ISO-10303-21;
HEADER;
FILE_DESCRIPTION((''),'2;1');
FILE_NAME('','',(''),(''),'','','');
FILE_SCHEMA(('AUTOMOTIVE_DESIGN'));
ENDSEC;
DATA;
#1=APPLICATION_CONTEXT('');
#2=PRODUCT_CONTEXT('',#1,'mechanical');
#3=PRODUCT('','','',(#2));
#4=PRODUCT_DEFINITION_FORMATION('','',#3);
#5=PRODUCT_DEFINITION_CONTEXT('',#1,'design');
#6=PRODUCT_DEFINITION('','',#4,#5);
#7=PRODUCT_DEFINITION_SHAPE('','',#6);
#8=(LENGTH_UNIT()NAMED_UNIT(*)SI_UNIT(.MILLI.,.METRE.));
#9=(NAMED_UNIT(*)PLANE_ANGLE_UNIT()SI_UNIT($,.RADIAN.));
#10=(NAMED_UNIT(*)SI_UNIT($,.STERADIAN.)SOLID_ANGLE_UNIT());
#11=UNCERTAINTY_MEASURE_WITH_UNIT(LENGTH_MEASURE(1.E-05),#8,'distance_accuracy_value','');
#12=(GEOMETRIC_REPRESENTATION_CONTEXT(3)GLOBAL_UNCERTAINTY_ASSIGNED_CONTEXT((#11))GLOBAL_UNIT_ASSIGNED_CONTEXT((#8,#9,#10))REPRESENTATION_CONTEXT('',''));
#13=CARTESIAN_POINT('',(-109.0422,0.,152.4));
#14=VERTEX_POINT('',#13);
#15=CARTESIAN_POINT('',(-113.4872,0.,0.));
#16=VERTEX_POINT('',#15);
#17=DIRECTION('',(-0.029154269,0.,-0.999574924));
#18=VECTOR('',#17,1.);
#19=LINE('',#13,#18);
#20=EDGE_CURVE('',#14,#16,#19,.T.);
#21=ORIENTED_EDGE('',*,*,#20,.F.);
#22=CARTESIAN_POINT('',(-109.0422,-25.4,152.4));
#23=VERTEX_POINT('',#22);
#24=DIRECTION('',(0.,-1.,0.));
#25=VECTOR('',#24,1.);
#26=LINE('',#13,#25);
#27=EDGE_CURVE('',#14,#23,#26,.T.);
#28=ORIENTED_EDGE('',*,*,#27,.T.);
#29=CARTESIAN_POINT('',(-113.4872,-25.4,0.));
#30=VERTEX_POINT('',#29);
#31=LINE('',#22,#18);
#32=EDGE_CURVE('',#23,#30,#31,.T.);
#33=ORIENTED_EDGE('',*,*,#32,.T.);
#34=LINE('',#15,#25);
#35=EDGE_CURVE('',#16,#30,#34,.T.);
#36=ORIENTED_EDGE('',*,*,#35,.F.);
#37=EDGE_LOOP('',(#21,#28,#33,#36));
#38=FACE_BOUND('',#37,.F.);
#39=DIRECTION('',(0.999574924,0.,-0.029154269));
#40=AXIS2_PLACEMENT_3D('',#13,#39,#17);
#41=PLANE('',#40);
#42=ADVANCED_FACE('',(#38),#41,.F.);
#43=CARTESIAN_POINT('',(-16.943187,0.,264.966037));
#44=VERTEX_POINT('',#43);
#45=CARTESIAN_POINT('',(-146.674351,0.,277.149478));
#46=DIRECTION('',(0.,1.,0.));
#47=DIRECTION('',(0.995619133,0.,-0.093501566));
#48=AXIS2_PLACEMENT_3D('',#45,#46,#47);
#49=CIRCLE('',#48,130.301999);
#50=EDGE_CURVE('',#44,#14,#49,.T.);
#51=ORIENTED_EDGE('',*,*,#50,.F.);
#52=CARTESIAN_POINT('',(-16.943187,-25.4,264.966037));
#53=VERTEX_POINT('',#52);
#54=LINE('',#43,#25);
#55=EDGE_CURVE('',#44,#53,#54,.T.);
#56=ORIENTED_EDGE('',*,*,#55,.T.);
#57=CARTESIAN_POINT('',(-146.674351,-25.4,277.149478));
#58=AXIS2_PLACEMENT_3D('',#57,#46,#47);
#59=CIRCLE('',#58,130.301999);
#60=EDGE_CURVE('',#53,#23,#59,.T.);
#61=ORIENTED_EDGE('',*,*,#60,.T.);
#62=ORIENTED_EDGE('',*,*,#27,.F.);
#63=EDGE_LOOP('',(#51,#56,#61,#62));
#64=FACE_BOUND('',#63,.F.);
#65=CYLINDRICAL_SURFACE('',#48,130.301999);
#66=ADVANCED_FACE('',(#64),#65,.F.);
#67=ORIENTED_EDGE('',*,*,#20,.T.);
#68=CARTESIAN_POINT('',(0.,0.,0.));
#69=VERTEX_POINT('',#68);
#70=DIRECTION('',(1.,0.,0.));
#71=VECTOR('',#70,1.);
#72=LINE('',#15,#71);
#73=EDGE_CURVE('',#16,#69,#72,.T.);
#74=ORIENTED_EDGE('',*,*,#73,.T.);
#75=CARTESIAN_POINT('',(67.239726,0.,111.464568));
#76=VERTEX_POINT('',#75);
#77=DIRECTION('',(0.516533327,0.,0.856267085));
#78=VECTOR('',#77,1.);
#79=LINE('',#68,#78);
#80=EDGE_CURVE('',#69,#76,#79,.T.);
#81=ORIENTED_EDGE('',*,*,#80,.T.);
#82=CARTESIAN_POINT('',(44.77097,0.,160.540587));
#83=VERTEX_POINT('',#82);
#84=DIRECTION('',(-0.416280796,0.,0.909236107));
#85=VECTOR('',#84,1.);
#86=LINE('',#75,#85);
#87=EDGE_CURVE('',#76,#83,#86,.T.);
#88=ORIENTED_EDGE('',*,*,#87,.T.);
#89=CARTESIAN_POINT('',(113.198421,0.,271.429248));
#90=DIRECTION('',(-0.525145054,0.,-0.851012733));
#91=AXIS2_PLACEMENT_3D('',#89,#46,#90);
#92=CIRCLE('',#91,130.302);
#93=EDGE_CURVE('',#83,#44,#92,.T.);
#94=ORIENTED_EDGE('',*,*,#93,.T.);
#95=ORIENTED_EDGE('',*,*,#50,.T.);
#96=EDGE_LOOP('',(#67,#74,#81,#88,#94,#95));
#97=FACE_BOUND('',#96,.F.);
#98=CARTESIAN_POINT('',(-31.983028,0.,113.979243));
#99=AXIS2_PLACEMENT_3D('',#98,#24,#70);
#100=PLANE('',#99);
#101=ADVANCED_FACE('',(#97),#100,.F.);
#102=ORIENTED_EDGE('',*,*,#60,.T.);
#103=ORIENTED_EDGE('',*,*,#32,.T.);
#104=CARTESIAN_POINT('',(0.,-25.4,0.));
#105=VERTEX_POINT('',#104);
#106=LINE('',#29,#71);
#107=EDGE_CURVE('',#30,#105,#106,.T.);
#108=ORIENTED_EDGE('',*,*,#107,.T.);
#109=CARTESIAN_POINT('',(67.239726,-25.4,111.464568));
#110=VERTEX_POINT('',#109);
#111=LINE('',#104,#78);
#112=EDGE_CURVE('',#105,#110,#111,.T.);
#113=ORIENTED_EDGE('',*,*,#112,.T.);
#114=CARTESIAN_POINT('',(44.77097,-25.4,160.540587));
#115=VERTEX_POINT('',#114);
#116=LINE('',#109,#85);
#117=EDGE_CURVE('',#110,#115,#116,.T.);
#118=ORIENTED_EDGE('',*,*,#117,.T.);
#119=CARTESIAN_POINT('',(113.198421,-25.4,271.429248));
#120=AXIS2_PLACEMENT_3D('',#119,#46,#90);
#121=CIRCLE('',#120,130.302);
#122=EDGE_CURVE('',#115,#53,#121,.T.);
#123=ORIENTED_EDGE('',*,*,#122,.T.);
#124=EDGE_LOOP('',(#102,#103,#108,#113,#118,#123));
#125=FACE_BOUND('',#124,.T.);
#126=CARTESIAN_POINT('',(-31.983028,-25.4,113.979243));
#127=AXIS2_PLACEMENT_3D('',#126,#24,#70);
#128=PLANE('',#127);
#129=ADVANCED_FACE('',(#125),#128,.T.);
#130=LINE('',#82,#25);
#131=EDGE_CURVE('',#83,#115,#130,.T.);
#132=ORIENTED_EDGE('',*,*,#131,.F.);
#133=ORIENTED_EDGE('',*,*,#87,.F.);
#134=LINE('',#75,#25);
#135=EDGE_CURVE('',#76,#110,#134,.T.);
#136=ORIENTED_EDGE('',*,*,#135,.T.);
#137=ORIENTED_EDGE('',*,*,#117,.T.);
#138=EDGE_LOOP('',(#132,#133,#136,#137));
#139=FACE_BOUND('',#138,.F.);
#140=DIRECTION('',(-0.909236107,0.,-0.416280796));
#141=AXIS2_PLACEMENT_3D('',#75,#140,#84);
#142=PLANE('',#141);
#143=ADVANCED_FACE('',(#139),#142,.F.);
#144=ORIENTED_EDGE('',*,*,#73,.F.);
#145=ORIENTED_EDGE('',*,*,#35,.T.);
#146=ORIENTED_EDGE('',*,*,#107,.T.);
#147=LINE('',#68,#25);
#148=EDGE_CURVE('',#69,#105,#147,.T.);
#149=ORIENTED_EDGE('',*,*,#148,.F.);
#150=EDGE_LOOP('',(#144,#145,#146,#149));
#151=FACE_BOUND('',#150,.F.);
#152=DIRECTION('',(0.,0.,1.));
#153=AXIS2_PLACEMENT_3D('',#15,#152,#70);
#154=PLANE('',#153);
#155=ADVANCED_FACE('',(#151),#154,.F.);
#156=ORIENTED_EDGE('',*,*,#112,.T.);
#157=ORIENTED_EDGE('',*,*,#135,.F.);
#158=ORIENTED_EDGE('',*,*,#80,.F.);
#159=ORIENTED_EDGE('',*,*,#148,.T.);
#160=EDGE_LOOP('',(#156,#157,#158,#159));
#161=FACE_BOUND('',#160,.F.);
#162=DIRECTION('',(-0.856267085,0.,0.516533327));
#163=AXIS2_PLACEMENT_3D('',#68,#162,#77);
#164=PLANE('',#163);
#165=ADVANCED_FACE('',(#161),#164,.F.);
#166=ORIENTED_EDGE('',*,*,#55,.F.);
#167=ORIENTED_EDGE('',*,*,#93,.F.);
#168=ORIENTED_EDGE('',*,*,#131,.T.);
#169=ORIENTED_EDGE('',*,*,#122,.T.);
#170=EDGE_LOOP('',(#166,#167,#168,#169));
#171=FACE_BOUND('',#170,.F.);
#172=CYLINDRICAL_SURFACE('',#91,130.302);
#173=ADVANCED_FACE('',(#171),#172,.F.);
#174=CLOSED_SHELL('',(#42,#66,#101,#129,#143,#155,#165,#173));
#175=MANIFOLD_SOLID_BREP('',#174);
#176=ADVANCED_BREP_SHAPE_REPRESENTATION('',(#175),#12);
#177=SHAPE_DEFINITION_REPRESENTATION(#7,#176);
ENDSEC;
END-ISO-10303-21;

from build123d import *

# Parameters (mm, degrees)
F1_DEPTH = 25.4


with BuildPart() as f1:
    # F0 (on Front) → F1 (new body)
    with BuildSketch(Plane.XZ):
        with BuildLine():
            Line((-113.4872, 0), (-109.0422, 0))
            Line((-109.0422, 0), (0, 0))
            Line((0, 0), (67.239726, 111.464568))
            Line((67.239726, 111.464568), (44.77097, 160.540587))
            ThreePointArc((44.77097, 160.540587), (1.021835, 205.134265), (-16.943187, 264.966037))
            ThreePointArc((-16.943187, 264.966037), (-45.82596, 194.637581), (-109.0422, 152.4))
            Line((-109.0422, 152.4), (-113.4872, 0))
        make_face()
    extrude(amount=F1_DEPTH)


solid = f1.part
